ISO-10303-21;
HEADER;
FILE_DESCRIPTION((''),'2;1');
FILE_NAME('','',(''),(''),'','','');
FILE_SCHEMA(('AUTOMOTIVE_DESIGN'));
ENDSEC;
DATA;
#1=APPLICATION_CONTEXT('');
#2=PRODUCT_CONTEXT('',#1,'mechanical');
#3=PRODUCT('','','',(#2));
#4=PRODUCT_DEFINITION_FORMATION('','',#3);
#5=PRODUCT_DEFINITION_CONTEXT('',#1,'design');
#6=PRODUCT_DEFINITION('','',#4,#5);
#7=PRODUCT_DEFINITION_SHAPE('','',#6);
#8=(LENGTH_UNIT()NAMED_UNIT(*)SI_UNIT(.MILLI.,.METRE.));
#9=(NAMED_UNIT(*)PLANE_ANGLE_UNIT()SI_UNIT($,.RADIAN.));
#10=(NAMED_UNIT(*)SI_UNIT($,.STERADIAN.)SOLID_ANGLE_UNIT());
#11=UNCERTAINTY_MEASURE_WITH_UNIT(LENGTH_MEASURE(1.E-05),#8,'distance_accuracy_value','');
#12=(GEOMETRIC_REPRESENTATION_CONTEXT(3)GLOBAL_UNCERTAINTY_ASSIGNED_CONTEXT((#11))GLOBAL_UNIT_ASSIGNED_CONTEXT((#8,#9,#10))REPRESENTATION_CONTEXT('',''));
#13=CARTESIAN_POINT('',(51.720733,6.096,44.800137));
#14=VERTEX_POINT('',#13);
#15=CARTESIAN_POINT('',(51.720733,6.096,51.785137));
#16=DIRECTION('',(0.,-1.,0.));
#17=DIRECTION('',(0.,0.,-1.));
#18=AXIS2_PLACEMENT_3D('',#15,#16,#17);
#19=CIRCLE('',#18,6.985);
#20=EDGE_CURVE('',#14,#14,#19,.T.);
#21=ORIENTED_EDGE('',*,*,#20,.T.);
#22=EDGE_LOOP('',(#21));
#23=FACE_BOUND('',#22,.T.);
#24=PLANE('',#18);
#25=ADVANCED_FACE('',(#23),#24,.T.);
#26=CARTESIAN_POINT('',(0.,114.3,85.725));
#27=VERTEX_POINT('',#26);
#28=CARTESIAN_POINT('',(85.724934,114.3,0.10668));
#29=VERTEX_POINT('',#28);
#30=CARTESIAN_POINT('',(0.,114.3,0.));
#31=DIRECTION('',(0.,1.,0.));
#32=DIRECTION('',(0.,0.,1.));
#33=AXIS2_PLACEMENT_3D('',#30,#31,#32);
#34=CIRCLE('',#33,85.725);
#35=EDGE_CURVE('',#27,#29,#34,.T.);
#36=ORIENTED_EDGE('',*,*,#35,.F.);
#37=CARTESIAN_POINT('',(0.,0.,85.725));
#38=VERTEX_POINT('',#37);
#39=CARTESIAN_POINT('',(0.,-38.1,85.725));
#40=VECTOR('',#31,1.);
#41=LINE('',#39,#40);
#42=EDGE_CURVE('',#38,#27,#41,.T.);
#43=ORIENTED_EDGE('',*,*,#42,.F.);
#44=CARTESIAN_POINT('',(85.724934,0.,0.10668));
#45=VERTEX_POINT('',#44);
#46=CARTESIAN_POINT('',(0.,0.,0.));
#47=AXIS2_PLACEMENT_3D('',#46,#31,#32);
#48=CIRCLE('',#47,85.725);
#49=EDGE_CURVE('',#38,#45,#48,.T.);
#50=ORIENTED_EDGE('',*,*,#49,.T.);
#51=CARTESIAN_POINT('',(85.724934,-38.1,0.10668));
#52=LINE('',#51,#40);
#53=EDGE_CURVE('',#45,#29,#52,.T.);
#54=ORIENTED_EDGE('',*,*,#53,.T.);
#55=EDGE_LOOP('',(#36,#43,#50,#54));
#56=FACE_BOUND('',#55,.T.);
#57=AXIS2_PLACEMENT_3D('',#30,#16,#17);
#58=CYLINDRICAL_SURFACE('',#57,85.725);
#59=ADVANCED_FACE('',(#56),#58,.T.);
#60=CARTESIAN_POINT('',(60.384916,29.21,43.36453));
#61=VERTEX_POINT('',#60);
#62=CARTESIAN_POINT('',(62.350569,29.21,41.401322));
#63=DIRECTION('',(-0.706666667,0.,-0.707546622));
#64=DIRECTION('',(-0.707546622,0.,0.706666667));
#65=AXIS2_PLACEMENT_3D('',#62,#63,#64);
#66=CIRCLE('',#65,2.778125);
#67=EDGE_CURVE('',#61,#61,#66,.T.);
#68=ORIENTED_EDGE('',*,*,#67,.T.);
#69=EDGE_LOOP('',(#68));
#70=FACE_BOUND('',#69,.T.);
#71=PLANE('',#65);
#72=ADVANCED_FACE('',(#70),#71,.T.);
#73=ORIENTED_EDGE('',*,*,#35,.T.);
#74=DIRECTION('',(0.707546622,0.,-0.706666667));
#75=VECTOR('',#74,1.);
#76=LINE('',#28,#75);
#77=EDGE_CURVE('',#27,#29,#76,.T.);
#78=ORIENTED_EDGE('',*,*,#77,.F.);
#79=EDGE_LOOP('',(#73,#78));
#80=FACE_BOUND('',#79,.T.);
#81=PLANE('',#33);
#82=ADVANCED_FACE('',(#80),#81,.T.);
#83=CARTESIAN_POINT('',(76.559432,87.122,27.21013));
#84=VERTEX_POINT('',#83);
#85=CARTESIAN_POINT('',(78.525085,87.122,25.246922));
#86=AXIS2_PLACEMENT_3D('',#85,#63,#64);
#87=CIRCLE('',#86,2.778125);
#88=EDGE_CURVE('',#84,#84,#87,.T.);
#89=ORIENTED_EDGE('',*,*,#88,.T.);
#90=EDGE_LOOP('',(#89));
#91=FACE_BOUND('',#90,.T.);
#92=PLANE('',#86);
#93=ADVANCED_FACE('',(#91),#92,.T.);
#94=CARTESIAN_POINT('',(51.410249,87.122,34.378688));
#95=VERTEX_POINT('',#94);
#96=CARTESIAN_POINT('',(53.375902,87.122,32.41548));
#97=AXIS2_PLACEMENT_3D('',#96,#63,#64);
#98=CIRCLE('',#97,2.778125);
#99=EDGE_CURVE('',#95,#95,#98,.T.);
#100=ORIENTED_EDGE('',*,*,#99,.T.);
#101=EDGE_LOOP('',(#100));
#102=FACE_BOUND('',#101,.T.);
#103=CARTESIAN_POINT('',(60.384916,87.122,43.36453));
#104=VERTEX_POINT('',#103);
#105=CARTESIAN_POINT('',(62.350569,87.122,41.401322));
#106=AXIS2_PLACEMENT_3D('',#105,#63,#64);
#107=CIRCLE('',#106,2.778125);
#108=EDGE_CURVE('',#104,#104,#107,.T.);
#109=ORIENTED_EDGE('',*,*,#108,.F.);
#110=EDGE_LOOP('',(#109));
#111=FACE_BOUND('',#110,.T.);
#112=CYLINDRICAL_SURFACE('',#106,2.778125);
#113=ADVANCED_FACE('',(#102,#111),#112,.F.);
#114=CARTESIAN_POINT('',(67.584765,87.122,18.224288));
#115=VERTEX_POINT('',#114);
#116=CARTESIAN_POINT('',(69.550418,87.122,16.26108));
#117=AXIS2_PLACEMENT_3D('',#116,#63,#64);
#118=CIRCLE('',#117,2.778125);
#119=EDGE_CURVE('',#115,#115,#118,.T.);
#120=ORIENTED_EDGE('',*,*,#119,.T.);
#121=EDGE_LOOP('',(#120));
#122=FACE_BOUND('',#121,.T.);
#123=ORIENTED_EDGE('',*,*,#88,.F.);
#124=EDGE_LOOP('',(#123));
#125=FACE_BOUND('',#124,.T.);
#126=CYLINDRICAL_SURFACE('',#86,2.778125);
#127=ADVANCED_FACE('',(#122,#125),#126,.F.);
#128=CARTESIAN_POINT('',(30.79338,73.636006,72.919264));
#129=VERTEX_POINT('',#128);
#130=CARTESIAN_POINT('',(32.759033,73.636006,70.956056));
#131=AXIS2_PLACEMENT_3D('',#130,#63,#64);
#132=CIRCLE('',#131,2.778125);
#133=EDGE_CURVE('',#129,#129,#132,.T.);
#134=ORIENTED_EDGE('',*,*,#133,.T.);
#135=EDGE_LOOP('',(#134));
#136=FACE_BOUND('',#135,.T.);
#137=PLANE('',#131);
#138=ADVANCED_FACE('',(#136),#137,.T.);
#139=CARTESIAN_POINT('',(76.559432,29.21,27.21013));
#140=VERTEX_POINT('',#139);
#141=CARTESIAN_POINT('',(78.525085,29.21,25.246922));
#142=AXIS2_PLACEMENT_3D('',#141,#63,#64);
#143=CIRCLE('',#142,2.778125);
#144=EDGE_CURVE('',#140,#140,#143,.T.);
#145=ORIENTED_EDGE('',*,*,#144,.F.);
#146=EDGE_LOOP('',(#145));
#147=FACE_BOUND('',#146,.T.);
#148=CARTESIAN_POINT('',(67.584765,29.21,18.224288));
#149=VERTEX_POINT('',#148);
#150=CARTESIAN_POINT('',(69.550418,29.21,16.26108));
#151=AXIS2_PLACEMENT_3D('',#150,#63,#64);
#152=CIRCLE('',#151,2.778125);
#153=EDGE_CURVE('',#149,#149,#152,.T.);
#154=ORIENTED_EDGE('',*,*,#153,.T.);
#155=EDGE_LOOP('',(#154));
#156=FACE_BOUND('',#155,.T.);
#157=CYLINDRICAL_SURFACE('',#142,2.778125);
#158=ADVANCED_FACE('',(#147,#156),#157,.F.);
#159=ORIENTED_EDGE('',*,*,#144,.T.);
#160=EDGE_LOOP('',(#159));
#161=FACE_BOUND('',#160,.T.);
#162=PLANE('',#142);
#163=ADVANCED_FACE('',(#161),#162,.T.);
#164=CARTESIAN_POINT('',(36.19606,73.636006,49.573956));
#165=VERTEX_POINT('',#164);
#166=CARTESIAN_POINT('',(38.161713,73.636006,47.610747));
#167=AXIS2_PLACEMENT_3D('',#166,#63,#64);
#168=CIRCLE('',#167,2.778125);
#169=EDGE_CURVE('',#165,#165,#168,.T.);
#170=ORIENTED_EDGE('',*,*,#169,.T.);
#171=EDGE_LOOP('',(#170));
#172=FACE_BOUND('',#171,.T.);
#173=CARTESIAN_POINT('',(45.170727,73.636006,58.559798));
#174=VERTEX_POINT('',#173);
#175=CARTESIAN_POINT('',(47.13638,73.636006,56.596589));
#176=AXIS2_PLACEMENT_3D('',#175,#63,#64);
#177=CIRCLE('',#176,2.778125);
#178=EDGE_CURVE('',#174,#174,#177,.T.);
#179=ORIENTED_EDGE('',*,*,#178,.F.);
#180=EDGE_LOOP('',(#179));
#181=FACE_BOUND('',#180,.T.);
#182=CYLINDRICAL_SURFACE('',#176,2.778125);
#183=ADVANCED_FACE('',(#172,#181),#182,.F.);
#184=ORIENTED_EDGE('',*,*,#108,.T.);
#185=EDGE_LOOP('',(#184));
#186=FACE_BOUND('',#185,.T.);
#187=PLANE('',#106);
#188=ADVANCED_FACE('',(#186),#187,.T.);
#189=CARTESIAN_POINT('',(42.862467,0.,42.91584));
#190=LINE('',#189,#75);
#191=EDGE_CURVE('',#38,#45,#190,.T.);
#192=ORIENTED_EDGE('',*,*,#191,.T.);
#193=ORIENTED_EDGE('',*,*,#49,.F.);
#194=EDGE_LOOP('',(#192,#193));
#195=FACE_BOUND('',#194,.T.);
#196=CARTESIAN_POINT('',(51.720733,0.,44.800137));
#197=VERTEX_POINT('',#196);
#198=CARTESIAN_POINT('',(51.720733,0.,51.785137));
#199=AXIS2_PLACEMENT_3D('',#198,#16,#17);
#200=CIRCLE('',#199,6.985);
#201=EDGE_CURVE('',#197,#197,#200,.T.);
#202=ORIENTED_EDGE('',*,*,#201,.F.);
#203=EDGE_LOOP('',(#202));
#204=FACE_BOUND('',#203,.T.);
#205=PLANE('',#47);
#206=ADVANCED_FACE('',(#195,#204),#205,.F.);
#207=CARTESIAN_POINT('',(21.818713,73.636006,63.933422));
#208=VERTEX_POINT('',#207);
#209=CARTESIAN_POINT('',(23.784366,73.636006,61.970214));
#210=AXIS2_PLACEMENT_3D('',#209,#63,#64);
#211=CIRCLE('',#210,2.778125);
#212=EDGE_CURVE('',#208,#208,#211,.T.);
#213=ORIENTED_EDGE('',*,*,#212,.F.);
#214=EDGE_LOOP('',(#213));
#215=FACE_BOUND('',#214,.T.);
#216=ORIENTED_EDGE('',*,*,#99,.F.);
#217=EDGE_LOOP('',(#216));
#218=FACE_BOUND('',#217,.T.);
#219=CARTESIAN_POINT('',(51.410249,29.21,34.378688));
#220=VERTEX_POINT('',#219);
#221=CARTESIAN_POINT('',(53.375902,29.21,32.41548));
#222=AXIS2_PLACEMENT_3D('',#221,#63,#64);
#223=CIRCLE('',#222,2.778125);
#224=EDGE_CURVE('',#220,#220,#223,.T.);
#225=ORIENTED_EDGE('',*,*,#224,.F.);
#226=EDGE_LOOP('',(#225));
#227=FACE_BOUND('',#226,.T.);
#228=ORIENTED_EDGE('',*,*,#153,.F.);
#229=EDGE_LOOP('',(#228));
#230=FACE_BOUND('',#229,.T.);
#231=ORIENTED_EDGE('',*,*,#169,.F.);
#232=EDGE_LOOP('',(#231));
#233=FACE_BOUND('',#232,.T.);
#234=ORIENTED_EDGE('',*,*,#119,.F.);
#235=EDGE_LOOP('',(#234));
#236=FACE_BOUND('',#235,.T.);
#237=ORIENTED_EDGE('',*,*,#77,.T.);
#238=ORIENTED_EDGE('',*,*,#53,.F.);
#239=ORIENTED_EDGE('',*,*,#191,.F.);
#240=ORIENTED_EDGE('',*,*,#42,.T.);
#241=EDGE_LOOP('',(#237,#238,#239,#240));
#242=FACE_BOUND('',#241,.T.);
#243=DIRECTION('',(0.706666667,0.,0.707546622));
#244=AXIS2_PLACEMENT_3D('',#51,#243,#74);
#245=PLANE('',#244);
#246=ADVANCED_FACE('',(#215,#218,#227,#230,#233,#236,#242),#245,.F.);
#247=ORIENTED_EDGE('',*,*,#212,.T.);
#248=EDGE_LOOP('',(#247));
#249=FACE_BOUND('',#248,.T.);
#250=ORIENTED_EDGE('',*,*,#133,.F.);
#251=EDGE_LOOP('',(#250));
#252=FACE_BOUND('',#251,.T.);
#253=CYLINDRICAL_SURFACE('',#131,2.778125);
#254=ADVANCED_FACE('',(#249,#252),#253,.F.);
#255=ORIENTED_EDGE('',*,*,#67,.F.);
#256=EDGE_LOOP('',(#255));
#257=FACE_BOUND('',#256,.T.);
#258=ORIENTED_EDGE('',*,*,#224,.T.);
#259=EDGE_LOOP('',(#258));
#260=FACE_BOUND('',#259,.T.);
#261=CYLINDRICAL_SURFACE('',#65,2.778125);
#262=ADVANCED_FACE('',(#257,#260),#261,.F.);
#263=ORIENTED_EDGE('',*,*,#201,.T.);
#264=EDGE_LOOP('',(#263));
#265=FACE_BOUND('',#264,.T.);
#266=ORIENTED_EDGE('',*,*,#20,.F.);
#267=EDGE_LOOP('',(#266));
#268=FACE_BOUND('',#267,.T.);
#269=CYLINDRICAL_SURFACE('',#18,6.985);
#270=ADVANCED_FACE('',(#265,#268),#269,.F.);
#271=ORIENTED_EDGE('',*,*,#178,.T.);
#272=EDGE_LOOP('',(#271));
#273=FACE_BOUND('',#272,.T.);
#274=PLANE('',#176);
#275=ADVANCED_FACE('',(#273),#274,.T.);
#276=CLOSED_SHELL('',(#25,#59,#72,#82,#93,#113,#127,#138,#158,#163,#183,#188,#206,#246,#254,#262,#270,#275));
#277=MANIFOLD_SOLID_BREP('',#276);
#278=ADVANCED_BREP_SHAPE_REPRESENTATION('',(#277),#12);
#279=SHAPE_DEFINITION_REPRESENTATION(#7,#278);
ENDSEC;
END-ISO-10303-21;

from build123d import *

# Parameters (mm, degrees)
SKETCH1_R           = 85.725
BOSS_EXTRUDE1_DEPTH = 114.3
CUT_EXTRUDE1_DEPTH  = 152.4
SKETCH3_R           = 2.778125
CUT_EXTRUDE2_DEPTH  = 12.7
SKETCH4_R           = 6.985
CUT_EXTRUDE3_DEPTH  = 6.096


with BuildPart() as part:
    # Sketch1 → Boss-Extrude1 (new body)
    with BuildSketch(Plane(origin=(0, 0, 0), x_dir=(1, 0, 0), z_dir=(0, 1, 0))):
        Circle(SKETCH1_R)
    extrude(amount=BOSS_EXTRUDE1_DEPTH)

    # Sketch2 → Cut-Extrude1 (cut)
    with BuildSketch(Plane(origin=(0, 114.3, 0), x_dir=(1, 0, 0), z_dir=(0, 1, 0))):
        Polygon((85.724933621, -0.10668), (0, -85.725), (-45.627504124, -96.719379999), (-137.428949547, 46.173941299), (19.12530113, 101.910533163), (109.833872203, 30.600481808), align=None)
    extrude(amount=-CUT_EXTRUDE1_DEPTH, mode=Mode.SUBTRACT)

    # Sketch3 → Cut-Extrude2 (cut)
    with BuildSketch(Plane(origin=(42.862466811, 0, 42.91584), x_dir=(-0.707546622, 0, 0.706666667), z_dir=(-0.706666667, 0, -0.707546622))):
        with Locations((-37.719, 87.122)):
            Circle(SKETCH3_R)
        with Locations((-14.859, 87.122)):
            Circle(SKETCH3_R)
        with Locations((-37.719, 29.21)):
            Circle(SKETCH3_R)
        with Locations((-14.859, 29.21)):
            Circle(SKETCH3_R)
        with Locations((6.643736743, 73.636006083)):
            Circle(SKETCH3_R)
        with Locations((26.963736743, 73.636006083)):
            Circle(SKETCH3_R)
    extrude(amount=-CUT_EXTRUDE2_DEPTH, mode=Mode.SUBTRACT)

    # Sketch4 → Cut-Extrude3 (cut)
    with BuildSketch(Plane(origin=(0, 0, 0), x_dir=(-1, 0, 0), z_dir=(0, -1, 0))):
        with Locations((-51.720733405, -51.785137083)):
            Circle(SKETCH4_R)
    extrude(amount=-CUT_EXTRUDE3_DEPTH, mode=Mode.SUBTRACT)


solid = part.part
